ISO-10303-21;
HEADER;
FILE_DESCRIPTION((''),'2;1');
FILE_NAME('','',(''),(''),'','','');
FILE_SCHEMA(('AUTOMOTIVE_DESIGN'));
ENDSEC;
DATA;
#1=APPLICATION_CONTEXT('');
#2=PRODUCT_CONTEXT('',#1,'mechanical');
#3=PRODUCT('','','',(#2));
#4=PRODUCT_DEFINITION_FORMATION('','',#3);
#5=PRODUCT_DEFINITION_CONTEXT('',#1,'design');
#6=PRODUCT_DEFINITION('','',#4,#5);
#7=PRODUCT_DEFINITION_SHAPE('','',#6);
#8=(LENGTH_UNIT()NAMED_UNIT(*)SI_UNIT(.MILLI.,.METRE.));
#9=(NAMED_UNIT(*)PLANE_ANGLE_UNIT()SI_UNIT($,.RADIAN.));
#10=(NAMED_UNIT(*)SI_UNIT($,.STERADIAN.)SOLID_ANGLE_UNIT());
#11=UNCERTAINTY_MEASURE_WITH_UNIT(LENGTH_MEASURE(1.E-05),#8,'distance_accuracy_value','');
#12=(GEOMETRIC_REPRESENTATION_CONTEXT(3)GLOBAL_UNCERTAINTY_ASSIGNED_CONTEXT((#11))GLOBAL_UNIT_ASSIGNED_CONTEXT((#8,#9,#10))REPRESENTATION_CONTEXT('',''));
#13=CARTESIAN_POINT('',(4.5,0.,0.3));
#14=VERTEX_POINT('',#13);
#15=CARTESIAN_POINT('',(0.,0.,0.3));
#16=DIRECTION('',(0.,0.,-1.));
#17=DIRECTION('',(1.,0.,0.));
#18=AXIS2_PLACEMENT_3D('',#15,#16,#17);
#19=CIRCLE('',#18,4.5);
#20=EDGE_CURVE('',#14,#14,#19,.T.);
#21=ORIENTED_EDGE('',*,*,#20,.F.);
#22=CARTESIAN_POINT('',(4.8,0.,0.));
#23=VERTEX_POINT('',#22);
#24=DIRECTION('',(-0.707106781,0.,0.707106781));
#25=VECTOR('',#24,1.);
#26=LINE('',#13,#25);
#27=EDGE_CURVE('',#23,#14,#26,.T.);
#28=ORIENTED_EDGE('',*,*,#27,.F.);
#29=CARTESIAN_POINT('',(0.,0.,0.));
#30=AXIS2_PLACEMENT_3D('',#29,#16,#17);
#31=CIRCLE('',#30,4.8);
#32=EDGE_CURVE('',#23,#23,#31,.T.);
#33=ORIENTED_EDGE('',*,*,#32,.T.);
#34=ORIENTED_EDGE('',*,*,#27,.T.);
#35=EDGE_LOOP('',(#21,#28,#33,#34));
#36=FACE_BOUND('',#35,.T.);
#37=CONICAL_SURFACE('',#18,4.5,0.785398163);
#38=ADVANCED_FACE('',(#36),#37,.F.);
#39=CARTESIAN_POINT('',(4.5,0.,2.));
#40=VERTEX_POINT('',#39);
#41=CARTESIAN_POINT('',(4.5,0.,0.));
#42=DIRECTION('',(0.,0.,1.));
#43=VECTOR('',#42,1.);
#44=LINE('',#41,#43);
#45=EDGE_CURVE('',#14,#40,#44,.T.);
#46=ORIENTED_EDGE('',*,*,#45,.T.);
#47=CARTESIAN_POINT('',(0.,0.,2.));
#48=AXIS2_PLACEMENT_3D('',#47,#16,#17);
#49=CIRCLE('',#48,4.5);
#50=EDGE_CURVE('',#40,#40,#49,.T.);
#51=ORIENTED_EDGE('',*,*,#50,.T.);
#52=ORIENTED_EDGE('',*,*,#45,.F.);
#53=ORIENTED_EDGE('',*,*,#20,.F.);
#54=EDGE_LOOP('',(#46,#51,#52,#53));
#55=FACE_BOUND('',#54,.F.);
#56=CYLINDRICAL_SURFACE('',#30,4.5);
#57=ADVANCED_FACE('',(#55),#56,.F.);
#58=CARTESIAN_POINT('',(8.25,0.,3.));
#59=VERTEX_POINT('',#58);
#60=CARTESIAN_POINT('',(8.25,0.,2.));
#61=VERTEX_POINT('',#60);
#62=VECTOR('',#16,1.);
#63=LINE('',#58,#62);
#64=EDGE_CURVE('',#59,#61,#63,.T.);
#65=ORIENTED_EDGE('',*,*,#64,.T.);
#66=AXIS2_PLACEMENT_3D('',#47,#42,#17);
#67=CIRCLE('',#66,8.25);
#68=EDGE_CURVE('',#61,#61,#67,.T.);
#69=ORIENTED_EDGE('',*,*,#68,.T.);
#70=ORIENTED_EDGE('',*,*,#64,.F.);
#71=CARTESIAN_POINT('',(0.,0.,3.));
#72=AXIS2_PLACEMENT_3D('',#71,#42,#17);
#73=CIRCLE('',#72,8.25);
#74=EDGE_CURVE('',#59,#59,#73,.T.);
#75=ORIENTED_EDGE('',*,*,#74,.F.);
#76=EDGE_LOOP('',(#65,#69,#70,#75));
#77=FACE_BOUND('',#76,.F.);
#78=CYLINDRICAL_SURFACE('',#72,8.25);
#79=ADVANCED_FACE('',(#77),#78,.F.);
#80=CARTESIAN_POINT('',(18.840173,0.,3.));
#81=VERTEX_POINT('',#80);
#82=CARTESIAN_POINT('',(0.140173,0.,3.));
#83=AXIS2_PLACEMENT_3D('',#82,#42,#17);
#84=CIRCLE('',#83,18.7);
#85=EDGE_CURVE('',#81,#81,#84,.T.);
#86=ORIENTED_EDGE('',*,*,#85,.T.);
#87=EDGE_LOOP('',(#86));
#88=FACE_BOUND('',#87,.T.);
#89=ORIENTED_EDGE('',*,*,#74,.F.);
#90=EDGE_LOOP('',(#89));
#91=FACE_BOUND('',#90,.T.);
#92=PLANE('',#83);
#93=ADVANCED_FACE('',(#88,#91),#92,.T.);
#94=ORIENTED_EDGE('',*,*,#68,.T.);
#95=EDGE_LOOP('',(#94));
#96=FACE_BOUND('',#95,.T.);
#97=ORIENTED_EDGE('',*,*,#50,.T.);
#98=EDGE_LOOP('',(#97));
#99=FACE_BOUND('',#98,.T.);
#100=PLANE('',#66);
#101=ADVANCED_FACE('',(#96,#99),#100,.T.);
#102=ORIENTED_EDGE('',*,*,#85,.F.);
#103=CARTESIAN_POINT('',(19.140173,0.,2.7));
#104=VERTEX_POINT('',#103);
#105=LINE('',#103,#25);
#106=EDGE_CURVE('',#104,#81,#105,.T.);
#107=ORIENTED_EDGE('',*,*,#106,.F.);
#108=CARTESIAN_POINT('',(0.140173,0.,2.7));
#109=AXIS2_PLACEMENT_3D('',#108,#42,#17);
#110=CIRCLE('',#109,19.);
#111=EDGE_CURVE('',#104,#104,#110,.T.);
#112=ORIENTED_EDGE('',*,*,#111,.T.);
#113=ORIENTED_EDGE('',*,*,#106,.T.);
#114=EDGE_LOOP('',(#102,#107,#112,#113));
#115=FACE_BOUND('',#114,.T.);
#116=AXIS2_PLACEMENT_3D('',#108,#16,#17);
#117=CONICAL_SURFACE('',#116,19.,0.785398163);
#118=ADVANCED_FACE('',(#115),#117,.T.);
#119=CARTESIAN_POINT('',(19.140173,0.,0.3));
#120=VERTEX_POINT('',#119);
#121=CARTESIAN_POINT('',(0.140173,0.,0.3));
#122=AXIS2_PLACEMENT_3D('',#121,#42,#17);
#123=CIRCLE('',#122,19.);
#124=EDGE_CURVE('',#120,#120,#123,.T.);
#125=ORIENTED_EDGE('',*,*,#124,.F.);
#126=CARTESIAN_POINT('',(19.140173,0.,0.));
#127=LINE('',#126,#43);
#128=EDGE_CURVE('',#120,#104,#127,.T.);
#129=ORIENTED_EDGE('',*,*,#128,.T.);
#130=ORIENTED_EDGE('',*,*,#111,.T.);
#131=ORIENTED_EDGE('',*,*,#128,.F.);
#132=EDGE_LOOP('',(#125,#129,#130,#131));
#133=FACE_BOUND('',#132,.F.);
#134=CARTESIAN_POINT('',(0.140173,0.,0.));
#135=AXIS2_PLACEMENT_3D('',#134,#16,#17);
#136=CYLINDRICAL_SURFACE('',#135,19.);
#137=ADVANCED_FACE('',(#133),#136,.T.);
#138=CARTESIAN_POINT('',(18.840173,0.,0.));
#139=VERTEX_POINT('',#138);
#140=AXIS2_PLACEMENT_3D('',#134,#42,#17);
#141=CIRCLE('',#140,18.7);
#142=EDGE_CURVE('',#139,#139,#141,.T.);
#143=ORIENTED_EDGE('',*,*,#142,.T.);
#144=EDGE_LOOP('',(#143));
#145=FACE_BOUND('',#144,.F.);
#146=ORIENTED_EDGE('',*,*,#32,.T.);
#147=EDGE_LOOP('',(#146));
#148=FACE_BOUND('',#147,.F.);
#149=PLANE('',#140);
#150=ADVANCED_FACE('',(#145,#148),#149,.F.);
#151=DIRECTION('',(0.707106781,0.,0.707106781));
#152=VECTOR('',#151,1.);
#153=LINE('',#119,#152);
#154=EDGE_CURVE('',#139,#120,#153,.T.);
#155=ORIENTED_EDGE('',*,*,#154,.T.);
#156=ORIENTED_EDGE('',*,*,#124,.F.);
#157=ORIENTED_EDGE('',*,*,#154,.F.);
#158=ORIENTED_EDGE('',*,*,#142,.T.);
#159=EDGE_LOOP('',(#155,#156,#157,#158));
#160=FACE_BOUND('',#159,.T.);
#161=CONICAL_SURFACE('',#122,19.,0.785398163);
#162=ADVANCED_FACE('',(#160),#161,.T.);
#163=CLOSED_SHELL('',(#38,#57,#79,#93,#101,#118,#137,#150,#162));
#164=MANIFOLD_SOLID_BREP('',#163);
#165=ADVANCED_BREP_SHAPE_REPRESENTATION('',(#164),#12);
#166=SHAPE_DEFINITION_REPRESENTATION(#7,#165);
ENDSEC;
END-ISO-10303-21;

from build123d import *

# Parameters (mm, degrees)
SKETCH068_R     = 19
PAD025_DEPTH    = 3
SKETCH069_R     = 4.5
POCKET042_DEPTH = 3.001
CHAMFER029_SIZE = 0.3
CHAMFER030_SIZE = 0.3
SKETCH070_R     = 8.25
POCKET043_DEPTH = 1


with BuildPart() as part:
    # Sketch068 → Pad025 (new body)
    with BuildSketch(Plane.XY):
        with Locations((0.140173, 0)):
            Circle(SKETCH068_R)
    extrude(amount=PAD025_DEPTH)

    # Sketch069 (on Face2 of Pad025) → Pocket042 (cut, through all)
    with BuildSketch(Plane(origin=(0, 0, 0), x_dir=(1, 0, 0), z_dir=(0, 0, -1))):
        Circle(SKETCH069_R)
    extrude(amount=-POCKET042_DEPTH, mode=Mode.SUBTRACT)

    # Chamfer029
    chamfer029_edges = [part.edges().sort_by_distance(p)[0] for p in [
        (-4.5, 0, 0),
        (-4.5, 0, 3),
    ]]
    chamfer(chamfer029_edges, length=CHAMFER029_SIZE)

    # Chamfer030
    chamfer030_edges = [part.edges().sort_by_distance(p)[0] for p in [
        (-18.859827, 0, 0),
        (-18.859827, 0, 3),
    ]]
    chamfer(chamfer030_edges, length=CHAMFER030_SIZE)

    # Sketch070 (on Face8 of Chamfer030) → Pocket043 (cut)
    with BuildSketch(Plane.XY.offset(3)):
        Circle(SKETCH070_R)
    extrude(amount=-POCKET043_DEPTH, mode=Mode.SUBTRACT)


solid = part.part
